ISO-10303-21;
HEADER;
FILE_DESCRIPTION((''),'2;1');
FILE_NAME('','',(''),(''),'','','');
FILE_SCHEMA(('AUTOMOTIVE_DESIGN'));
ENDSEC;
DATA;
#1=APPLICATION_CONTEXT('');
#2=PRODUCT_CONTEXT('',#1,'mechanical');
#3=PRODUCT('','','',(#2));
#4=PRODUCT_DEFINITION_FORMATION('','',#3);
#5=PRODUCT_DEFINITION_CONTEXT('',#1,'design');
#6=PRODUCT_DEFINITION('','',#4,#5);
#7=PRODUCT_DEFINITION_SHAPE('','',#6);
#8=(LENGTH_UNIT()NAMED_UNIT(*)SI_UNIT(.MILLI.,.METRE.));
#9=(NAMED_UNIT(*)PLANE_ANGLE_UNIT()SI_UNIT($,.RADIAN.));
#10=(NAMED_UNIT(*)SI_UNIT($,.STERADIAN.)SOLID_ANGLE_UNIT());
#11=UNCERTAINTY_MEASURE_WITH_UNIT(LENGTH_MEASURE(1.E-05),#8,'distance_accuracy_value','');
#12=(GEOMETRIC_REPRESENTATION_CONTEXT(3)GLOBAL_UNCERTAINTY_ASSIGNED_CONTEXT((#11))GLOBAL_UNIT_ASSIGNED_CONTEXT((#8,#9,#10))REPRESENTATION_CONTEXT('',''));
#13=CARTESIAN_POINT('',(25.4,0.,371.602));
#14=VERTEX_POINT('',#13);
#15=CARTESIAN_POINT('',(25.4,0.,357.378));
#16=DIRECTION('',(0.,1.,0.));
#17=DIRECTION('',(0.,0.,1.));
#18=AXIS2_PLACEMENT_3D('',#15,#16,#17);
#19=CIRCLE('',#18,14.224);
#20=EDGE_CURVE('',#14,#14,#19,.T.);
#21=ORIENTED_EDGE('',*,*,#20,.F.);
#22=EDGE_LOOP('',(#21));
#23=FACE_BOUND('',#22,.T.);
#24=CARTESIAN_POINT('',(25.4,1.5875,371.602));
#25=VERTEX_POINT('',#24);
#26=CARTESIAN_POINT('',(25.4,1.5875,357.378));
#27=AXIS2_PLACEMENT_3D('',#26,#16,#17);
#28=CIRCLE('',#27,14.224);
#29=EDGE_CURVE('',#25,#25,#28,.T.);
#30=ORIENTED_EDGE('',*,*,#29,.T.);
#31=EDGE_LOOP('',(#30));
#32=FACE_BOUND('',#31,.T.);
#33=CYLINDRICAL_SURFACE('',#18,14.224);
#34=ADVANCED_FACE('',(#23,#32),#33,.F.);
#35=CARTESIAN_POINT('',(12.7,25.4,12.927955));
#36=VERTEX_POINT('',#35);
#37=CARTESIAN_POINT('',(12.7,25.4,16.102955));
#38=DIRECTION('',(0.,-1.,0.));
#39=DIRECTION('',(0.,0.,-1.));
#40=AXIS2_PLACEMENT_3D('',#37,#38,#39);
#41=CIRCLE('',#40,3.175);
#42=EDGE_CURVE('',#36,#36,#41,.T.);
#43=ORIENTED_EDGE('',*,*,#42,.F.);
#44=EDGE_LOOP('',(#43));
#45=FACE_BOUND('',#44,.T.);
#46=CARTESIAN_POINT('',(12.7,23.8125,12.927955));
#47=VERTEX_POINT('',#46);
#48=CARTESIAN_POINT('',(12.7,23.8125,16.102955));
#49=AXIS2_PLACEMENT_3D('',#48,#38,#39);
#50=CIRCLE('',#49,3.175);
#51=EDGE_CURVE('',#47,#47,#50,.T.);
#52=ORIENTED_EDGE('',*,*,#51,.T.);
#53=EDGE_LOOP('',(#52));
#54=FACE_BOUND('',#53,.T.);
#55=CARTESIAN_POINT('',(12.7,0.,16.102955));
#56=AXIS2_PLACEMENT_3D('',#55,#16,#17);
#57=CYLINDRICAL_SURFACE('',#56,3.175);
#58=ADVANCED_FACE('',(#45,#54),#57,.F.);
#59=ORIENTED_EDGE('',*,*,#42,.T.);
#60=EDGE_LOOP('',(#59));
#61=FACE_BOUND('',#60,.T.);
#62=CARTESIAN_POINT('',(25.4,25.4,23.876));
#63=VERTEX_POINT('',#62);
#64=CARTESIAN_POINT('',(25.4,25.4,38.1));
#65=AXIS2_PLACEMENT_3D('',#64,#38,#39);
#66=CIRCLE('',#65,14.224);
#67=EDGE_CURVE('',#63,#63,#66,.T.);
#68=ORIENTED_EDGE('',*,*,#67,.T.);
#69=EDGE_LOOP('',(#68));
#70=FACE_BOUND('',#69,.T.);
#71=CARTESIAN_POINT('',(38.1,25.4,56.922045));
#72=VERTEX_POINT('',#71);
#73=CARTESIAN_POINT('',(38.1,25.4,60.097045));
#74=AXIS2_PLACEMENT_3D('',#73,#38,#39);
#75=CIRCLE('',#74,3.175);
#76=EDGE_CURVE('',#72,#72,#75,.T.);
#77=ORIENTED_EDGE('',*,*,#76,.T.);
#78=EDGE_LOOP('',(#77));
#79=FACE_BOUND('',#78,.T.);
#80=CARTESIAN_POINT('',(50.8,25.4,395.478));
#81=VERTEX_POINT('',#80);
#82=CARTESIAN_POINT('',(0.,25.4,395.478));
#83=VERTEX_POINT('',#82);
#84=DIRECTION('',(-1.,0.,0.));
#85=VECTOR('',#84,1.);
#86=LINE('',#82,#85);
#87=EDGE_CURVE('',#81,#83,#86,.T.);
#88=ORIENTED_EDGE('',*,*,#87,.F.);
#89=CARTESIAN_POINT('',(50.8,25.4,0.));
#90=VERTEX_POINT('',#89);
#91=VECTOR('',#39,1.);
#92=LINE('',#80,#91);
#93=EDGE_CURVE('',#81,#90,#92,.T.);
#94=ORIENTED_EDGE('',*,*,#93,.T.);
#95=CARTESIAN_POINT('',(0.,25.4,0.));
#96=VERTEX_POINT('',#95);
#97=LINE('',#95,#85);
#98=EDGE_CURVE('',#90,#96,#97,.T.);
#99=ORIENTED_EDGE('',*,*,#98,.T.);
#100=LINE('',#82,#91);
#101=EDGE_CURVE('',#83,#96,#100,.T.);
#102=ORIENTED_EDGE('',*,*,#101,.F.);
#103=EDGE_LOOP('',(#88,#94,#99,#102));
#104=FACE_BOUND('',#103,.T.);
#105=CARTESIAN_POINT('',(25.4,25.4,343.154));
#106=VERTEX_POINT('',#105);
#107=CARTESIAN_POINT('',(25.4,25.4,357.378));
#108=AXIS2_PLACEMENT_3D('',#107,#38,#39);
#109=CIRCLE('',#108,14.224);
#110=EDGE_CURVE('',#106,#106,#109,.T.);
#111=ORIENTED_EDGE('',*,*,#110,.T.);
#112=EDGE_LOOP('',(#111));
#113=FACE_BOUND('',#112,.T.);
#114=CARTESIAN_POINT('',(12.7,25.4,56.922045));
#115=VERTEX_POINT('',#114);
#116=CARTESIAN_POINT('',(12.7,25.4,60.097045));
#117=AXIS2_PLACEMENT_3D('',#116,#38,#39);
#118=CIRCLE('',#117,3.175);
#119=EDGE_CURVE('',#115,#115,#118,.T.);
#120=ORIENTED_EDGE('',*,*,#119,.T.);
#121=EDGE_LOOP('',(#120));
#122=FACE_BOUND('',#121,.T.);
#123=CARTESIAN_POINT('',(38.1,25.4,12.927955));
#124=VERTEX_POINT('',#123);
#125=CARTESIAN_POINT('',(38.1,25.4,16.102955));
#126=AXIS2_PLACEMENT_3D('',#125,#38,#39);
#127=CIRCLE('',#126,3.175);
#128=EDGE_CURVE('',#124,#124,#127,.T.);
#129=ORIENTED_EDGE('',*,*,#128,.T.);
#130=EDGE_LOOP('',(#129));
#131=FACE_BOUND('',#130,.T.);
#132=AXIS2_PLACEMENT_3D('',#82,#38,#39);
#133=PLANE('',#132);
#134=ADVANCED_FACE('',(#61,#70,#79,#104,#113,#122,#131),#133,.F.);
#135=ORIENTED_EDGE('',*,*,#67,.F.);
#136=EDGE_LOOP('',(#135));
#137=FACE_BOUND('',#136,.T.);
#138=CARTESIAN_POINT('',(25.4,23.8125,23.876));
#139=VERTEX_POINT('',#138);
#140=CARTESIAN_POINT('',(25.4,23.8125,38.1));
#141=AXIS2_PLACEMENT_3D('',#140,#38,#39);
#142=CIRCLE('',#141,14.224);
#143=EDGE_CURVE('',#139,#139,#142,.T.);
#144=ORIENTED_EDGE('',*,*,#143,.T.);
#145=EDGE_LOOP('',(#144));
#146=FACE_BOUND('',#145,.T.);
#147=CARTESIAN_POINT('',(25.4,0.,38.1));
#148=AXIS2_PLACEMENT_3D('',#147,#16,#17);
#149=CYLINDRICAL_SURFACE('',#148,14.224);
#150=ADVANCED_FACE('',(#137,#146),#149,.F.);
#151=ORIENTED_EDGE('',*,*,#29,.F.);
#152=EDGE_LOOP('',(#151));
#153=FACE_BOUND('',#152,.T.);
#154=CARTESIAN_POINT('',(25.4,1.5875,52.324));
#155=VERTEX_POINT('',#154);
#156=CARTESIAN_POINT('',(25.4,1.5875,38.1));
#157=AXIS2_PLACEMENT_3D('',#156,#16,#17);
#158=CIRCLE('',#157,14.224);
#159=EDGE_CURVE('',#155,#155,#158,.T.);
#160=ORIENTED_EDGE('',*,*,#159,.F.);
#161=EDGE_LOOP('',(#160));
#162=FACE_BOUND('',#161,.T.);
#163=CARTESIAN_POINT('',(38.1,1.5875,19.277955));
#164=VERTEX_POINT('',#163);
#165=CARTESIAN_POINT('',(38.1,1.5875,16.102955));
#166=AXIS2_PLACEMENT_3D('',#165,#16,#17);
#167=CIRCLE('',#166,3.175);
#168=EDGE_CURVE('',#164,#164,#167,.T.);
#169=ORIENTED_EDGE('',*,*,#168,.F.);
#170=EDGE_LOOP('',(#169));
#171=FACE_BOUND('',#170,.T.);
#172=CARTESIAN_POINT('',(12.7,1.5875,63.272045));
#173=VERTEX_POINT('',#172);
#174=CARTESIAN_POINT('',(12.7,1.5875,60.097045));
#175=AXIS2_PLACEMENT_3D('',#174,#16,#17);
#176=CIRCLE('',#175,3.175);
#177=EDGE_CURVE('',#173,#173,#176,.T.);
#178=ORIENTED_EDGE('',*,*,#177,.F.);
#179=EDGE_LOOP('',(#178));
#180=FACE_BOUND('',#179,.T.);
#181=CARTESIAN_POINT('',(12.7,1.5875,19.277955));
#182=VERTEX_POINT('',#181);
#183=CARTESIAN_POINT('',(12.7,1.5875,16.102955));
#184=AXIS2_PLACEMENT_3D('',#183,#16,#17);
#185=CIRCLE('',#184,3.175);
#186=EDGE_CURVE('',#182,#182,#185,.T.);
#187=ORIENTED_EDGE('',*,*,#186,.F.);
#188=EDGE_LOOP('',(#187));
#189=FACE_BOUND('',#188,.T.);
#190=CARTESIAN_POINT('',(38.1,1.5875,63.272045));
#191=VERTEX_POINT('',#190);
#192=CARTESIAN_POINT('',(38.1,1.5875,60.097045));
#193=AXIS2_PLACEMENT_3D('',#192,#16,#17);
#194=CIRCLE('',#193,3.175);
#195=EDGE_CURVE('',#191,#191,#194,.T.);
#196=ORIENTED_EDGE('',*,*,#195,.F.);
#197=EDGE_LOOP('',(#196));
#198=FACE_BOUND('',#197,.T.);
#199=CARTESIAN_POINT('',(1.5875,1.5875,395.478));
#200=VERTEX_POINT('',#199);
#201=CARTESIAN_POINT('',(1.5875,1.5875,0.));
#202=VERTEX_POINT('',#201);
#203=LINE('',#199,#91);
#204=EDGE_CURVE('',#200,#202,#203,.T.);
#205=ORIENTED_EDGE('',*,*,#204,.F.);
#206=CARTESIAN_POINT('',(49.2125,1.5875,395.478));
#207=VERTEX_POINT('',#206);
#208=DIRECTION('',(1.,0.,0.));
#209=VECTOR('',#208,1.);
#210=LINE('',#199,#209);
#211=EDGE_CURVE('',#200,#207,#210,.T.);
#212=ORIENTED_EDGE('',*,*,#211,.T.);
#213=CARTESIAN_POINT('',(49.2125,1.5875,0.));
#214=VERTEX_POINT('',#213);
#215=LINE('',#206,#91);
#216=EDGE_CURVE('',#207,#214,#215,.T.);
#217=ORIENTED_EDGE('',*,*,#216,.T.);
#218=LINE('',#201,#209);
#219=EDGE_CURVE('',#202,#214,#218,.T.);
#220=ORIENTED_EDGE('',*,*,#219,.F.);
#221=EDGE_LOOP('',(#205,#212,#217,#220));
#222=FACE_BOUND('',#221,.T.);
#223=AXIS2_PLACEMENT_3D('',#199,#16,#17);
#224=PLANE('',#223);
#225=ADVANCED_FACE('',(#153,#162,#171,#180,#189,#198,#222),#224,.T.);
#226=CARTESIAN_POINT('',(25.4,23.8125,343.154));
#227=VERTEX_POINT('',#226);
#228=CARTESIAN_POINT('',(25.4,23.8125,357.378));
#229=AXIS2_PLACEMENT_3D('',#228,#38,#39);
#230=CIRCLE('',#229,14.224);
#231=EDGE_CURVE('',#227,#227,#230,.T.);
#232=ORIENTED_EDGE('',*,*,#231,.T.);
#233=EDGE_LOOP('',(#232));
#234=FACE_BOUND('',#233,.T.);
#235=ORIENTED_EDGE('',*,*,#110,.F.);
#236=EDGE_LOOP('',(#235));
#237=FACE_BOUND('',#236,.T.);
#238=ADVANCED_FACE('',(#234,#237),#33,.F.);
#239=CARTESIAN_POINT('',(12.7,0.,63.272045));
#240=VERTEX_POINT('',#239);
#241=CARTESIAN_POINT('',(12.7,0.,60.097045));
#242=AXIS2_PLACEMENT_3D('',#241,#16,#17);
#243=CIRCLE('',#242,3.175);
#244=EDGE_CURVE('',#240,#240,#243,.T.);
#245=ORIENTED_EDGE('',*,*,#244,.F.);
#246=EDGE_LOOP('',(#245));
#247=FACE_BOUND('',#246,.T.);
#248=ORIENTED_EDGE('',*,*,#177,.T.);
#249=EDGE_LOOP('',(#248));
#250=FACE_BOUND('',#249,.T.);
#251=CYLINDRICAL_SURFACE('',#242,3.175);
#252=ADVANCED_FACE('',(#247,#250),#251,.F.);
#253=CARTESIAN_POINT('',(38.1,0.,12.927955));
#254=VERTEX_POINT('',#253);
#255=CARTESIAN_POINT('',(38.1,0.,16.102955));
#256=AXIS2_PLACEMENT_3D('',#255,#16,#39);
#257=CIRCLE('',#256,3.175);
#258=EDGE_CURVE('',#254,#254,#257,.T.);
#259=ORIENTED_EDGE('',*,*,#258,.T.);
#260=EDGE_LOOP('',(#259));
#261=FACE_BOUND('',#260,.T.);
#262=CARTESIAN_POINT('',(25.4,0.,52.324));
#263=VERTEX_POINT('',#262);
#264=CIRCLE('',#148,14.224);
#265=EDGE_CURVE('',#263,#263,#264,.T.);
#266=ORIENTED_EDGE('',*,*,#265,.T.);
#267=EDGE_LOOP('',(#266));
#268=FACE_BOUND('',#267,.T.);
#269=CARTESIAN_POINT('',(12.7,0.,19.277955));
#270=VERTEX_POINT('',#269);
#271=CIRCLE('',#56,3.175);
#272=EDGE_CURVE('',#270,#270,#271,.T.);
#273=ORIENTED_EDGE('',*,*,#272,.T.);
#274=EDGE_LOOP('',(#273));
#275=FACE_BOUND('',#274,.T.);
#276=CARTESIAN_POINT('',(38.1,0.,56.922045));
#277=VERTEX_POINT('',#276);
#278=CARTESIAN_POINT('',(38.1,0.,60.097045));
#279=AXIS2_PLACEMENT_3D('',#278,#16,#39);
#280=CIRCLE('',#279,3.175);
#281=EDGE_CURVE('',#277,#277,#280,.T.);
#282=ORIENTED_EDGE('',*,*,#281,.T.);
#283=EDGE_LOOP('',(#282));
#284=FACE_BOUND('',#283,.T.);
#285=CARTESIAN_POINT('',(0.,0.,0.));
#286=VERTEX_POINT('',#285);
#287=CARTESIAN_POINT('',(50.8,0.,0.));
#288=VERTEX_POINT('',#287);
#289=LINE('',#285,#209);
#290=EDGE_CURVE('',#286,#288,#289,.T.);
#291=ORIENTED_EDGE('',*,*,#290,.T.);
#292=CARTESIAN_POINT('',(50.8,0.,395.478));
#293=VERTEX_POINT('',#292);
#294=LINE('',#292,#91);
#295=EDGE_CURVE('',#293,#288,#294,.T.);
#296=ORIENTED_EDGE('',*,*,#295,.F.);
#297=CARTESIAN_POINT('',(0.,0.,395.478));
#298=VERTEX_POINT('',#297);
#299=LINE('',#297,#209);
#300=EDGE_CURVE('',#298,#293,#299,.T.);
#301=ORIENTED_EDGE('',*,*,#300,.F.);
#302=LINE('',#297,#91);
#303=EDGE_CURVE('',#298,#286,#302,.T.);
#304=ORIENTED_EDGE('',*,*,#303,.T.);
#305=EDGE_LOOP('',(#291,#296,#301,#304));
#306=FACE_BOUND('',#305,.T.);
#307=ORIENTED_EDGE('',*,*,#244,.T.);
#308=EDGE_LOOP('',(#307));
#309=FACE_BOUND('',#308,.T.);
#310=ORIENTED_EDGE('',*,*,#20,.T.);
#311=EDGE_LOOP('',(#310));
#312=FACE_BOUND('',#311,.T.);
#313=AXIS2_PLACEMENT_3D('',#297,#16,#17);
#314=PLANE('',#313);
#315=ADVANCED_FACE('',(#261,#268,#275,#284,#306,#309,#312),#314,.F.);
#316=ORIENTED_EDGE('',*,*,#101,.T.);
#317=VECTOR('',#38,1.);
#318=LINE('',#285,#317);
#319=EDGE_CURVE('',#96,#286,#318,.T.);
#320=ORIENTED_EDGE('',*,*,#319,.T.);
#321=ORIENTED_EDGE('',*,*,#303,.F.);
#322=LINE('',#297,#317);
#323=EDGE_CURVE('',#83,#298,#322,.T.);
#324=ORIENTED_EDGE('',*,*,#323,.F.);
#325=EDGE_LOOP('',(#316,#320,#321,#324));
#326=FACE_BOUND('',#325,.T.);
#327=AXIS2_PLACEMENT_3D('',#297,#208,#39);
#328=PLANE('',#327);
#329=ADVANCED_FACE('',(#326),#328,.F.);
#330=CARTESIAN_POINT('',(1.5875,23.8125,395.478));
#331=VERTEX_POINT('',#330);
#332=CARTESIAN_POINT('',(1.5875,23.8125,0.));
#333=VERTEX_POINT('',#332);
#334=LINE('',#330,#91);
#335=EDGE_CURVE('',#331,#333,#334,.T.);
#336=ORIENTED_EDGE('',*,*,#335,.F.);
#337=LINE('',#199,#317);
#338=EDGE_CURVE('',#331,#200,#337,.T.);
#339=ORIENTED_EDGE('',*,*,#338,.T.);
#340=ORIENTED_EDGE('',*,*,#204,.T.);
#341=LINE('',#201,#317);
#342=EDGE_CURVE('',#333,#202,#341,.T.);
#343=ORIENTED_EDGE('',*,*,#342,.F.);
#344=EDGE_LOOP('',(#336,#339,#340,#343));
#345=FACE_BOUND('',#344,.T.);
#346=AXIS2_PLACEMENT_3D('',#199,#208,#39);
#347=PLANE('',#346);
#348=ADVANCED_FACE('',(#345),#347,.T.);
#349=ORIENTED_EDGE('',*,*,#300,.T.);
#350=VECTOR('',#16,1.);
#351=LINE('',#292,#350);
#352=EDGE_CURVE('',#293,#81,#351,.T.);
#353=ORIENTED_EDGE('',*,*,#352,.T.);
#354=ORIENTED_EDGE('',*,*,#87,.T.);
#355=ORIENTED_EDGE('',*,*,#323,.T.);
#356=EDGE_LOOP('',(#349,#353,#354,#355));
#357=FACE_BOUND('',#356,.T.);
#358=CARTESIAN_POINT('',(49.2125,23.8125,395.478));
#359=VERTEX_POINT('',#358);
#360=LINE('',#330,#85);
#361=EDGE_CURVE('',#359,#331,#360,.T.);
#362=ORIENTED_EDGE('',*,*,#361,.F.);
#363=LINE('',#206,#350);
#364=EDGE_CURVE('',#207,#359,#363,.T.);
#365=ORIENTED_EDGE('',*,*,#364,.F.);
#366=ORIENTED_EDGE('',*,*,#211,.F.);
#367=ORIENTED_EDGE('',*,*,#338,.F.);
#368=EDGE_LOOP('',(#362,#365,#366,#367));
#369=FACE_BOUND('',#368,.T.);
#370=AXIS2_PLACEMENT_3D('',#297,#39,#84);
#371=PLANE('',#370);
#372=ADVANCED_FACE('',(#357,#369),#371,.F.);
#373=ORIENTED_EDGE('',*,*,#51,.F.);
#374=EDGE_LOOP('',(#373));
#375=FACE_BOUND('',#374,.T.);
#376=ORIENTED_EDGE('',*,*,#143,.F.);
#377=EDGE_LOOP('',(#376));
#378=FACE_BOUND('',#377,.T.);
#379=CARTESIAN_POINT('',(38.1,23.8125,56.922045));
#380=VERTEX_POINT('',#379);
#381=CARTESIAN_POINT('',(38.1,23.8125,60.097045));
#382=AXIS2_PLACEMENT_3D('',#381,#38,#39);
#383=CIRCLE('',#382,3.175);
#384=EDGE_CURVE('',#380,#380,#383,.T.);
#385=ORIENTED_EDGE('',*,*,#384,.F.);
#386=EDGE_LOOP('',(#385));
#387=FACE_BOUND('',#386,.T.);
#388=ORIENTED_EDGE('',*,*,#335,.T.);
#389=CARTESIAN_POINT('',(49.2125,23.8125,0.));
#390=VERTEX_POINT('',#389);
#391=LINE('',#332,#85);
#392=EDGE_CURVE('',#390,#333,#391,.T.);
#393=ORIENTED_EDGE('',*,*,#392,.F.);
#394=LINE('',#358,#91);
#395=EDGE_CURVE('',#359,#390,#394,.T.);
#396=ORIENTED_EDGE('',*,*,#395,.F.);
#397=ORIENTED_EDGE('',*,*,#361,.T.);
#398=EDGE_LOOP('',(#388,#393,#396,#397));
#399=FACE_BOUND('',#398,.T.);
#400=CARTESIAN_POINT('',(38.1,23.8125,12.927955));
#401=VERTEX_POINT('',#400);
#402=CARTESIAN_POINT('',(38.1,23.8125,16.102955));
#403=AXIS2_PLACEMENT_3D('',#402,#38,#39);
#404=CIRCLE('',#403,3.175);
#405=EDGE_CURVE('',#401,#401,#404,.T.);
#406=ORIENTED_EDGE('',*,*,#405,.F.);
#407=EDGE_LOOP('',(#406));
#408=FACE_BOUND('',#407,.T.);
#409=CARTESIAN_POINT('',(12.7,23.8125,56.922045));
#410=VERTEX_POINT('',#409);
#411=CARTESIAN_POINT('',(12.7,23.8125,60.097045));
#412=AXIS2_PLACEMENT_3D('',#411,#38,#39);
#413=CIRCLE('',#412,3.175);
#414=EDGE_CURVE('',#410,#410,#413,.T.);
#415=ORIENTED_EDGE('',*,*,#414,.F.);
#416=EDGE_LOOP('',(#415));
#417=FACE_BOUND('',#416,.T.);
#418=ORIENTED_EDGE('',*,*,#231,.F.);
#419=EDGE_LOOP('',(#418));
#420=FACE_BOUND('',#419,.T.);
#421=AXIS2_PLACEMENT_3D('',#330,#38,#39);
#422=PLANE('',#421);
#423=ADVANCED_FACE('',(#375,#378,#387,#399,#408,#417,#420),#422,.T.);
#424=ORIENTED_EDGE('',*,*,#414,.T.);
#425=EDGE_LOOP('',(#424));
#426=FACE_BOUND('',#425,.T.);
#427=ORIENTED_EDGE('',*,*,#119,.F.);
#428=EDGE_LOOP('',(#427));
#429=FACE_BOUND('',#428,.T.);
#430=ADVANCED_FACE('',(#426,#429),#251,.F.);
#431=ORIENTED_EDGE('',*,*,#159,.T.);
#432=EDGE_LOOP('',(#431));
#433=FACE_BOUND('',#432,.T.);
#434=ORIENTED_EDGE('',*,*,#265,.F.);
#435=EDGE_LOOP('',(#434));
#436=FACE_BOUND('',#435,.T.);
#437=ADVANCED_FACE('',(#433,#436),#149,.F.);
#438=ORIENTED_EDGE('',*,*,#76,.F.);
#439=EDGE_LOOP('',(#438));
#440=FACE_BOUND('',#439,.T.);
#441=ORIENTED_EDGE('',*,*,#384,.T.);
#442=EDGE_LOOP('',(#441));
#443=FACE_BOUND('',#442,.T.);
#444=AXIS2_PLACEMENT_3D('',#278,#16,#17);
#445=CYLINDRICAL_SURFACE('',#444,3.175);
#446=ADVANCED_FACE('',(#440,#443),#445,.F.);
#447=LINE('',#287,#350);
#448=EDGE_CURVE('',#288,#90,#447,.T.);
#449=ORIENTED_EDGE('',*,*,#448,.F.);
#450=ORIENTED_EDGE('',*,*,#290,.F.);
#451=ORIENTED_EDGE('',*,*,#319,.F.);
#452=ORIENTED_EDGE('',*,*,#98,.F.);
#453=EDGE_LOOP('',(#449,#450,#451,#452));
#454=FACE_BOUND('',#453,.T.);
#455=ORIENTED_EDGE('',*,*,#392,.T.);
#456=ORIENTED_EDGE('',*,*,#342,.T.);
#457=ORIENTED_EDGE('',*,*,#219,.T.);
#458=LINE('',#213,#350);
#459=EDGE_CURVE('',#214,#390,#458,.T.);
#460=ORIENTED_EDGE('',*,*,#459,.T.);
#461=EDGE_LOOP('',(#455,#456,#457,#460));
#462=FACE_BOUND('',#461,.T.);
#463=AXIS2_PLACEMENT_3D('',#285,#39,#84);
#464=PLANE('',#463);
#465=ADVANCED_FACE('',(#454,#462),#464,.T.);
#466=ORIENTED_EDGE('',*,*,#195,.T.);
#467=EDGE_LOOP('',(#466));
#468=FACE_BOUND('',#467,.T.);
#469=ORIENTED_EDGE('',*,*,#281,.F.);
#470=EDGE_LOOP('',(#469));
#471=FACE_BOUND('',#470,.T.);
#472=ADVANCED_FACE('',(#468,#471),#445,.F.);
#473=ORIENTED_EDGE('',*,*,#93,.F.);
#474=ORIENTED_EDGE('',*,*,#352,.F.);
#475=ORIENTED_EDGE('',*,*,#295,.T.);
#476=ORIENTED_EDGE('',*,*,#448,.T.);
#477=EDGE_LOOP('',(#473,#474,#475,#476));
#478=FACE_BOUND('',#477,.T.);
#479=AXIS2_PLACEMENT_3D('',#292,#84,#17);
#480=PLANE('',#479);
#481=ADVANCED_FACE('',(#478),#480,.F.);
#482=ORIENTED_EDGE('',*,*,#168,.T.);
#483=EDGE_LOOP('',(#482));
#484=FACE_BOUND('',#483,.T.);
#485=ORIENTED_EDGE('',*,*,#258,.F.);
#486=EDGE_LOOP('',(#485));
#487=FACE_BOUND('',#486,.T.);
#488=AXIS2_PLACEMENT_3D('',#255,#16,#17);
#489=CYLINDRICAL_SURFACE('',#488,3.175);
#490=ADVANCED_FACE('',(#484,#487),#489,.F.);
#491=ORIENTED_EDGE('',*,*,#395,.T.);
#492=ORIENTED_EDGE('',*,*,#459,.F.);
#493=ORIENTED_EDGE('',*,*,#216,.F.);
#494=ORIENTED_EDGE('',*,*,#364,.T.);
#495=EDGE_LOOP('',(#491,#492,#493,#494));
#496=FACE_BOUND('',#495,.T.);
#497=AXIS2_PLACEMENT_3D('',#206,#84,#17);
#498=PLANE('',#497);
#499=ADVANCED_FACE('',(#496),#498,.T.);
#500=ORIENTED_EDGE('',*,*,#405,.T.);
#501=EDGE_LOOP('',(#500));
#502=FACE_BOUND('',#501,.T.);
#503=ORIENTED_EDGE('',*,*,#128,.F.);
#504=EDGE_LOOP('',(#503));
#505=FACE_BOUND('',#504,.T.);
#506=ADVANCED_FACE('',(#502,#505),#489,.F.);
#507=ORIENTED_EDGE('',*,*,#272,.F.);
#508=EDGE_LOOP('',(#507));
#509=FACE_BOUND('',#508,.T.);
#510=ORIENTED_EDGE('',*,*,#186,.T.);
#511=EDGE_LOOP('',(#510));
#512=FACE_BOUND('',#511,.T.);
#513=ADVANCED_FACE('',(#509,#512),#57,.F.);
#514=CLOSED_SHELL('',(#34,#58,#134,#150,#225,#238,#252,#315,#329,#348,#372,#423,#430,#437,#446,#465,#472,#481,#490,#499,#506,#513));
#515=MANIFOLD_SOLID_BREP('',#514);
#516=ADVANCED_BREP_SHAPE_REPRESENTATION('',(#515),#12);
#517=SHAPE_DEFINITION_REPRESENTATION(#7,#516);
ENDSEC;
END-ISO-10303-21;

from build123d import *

# Parameters (mm, degrees)
SKETCH1_W               = 50.8
SKETCH1_H               = 25.4
SKETCH1_W_2             = 47.625
SKETCH1_H_2             = 22.225
BOSS_EXTRUDE1_DEPTH     = 395.478
CUT_EXTRUDE1_DEPTH      = 400.535540952
CUT_EXTRUDE1_DEPTH_BACK = 400.535540952
SKETCH2_R               = 14.224
SKETCH2_R_2             = 3.175


with BuildPart() as part:
    # Sketch1 → Boss-Extrude1 (new body)
    with BuildSketch(Plane.XY):
        with Locations((25.4, 12.7)):
            Rectangle(SKETCH1_W, SKETCH1_H)
        with Locations((25.4, 12.7)):
            Rectangle(SKETCH1_W_2, SKETCH1_H_2, mode=Mode.SUBTRACT)
    extrude(amount=BOSS_EXTRUDE1_DEPTH)

    # Sketch2 → Cut-Extrude1 (cut, two sides: drawn at the far end of the back side and taken through both)
    with BuildSketch(Plane(origin=(0, 25.4, 0), x_dir=(1, 0, 0), z_dir=(0, 1, 0)).offset(-CUT_EXTRUDE1_DEPTH_BACK)):
        with Locations(Location((25.4, -38.1, 0), (0, 0, 90))):
            Circle(SKETCH2_R)
        with Locations(Location((12.7, -16.102954744, 0), (0, 0, 90))):
            Circle(SKETCH2_R_2)
        with Locations(Location((12.7, -60.097045256, 0), (0, 0, 90))):
            Circle(SKETCH2_R_2)
        with Locations(Location((38.1, -60.097045256, 0), (0, 0, 90))):
            Circle(SKETCH2_R_2)
        with Locations(Location((38.1, -16.102954744, 0), (0, 0, 90))):
            Circle(SKETCH2_R_2)
        with Locations(Location((25.4, -357.378, 0), (0, 0, 90))):
            Circle(SKETCH2_R)
    extrude(amount=CUT_EXTRUDE1_DEPTH + CUT_EXTRUDE1_DEPTH_BACK, mode=Mode.SUBTRACT)


solid = part.part
